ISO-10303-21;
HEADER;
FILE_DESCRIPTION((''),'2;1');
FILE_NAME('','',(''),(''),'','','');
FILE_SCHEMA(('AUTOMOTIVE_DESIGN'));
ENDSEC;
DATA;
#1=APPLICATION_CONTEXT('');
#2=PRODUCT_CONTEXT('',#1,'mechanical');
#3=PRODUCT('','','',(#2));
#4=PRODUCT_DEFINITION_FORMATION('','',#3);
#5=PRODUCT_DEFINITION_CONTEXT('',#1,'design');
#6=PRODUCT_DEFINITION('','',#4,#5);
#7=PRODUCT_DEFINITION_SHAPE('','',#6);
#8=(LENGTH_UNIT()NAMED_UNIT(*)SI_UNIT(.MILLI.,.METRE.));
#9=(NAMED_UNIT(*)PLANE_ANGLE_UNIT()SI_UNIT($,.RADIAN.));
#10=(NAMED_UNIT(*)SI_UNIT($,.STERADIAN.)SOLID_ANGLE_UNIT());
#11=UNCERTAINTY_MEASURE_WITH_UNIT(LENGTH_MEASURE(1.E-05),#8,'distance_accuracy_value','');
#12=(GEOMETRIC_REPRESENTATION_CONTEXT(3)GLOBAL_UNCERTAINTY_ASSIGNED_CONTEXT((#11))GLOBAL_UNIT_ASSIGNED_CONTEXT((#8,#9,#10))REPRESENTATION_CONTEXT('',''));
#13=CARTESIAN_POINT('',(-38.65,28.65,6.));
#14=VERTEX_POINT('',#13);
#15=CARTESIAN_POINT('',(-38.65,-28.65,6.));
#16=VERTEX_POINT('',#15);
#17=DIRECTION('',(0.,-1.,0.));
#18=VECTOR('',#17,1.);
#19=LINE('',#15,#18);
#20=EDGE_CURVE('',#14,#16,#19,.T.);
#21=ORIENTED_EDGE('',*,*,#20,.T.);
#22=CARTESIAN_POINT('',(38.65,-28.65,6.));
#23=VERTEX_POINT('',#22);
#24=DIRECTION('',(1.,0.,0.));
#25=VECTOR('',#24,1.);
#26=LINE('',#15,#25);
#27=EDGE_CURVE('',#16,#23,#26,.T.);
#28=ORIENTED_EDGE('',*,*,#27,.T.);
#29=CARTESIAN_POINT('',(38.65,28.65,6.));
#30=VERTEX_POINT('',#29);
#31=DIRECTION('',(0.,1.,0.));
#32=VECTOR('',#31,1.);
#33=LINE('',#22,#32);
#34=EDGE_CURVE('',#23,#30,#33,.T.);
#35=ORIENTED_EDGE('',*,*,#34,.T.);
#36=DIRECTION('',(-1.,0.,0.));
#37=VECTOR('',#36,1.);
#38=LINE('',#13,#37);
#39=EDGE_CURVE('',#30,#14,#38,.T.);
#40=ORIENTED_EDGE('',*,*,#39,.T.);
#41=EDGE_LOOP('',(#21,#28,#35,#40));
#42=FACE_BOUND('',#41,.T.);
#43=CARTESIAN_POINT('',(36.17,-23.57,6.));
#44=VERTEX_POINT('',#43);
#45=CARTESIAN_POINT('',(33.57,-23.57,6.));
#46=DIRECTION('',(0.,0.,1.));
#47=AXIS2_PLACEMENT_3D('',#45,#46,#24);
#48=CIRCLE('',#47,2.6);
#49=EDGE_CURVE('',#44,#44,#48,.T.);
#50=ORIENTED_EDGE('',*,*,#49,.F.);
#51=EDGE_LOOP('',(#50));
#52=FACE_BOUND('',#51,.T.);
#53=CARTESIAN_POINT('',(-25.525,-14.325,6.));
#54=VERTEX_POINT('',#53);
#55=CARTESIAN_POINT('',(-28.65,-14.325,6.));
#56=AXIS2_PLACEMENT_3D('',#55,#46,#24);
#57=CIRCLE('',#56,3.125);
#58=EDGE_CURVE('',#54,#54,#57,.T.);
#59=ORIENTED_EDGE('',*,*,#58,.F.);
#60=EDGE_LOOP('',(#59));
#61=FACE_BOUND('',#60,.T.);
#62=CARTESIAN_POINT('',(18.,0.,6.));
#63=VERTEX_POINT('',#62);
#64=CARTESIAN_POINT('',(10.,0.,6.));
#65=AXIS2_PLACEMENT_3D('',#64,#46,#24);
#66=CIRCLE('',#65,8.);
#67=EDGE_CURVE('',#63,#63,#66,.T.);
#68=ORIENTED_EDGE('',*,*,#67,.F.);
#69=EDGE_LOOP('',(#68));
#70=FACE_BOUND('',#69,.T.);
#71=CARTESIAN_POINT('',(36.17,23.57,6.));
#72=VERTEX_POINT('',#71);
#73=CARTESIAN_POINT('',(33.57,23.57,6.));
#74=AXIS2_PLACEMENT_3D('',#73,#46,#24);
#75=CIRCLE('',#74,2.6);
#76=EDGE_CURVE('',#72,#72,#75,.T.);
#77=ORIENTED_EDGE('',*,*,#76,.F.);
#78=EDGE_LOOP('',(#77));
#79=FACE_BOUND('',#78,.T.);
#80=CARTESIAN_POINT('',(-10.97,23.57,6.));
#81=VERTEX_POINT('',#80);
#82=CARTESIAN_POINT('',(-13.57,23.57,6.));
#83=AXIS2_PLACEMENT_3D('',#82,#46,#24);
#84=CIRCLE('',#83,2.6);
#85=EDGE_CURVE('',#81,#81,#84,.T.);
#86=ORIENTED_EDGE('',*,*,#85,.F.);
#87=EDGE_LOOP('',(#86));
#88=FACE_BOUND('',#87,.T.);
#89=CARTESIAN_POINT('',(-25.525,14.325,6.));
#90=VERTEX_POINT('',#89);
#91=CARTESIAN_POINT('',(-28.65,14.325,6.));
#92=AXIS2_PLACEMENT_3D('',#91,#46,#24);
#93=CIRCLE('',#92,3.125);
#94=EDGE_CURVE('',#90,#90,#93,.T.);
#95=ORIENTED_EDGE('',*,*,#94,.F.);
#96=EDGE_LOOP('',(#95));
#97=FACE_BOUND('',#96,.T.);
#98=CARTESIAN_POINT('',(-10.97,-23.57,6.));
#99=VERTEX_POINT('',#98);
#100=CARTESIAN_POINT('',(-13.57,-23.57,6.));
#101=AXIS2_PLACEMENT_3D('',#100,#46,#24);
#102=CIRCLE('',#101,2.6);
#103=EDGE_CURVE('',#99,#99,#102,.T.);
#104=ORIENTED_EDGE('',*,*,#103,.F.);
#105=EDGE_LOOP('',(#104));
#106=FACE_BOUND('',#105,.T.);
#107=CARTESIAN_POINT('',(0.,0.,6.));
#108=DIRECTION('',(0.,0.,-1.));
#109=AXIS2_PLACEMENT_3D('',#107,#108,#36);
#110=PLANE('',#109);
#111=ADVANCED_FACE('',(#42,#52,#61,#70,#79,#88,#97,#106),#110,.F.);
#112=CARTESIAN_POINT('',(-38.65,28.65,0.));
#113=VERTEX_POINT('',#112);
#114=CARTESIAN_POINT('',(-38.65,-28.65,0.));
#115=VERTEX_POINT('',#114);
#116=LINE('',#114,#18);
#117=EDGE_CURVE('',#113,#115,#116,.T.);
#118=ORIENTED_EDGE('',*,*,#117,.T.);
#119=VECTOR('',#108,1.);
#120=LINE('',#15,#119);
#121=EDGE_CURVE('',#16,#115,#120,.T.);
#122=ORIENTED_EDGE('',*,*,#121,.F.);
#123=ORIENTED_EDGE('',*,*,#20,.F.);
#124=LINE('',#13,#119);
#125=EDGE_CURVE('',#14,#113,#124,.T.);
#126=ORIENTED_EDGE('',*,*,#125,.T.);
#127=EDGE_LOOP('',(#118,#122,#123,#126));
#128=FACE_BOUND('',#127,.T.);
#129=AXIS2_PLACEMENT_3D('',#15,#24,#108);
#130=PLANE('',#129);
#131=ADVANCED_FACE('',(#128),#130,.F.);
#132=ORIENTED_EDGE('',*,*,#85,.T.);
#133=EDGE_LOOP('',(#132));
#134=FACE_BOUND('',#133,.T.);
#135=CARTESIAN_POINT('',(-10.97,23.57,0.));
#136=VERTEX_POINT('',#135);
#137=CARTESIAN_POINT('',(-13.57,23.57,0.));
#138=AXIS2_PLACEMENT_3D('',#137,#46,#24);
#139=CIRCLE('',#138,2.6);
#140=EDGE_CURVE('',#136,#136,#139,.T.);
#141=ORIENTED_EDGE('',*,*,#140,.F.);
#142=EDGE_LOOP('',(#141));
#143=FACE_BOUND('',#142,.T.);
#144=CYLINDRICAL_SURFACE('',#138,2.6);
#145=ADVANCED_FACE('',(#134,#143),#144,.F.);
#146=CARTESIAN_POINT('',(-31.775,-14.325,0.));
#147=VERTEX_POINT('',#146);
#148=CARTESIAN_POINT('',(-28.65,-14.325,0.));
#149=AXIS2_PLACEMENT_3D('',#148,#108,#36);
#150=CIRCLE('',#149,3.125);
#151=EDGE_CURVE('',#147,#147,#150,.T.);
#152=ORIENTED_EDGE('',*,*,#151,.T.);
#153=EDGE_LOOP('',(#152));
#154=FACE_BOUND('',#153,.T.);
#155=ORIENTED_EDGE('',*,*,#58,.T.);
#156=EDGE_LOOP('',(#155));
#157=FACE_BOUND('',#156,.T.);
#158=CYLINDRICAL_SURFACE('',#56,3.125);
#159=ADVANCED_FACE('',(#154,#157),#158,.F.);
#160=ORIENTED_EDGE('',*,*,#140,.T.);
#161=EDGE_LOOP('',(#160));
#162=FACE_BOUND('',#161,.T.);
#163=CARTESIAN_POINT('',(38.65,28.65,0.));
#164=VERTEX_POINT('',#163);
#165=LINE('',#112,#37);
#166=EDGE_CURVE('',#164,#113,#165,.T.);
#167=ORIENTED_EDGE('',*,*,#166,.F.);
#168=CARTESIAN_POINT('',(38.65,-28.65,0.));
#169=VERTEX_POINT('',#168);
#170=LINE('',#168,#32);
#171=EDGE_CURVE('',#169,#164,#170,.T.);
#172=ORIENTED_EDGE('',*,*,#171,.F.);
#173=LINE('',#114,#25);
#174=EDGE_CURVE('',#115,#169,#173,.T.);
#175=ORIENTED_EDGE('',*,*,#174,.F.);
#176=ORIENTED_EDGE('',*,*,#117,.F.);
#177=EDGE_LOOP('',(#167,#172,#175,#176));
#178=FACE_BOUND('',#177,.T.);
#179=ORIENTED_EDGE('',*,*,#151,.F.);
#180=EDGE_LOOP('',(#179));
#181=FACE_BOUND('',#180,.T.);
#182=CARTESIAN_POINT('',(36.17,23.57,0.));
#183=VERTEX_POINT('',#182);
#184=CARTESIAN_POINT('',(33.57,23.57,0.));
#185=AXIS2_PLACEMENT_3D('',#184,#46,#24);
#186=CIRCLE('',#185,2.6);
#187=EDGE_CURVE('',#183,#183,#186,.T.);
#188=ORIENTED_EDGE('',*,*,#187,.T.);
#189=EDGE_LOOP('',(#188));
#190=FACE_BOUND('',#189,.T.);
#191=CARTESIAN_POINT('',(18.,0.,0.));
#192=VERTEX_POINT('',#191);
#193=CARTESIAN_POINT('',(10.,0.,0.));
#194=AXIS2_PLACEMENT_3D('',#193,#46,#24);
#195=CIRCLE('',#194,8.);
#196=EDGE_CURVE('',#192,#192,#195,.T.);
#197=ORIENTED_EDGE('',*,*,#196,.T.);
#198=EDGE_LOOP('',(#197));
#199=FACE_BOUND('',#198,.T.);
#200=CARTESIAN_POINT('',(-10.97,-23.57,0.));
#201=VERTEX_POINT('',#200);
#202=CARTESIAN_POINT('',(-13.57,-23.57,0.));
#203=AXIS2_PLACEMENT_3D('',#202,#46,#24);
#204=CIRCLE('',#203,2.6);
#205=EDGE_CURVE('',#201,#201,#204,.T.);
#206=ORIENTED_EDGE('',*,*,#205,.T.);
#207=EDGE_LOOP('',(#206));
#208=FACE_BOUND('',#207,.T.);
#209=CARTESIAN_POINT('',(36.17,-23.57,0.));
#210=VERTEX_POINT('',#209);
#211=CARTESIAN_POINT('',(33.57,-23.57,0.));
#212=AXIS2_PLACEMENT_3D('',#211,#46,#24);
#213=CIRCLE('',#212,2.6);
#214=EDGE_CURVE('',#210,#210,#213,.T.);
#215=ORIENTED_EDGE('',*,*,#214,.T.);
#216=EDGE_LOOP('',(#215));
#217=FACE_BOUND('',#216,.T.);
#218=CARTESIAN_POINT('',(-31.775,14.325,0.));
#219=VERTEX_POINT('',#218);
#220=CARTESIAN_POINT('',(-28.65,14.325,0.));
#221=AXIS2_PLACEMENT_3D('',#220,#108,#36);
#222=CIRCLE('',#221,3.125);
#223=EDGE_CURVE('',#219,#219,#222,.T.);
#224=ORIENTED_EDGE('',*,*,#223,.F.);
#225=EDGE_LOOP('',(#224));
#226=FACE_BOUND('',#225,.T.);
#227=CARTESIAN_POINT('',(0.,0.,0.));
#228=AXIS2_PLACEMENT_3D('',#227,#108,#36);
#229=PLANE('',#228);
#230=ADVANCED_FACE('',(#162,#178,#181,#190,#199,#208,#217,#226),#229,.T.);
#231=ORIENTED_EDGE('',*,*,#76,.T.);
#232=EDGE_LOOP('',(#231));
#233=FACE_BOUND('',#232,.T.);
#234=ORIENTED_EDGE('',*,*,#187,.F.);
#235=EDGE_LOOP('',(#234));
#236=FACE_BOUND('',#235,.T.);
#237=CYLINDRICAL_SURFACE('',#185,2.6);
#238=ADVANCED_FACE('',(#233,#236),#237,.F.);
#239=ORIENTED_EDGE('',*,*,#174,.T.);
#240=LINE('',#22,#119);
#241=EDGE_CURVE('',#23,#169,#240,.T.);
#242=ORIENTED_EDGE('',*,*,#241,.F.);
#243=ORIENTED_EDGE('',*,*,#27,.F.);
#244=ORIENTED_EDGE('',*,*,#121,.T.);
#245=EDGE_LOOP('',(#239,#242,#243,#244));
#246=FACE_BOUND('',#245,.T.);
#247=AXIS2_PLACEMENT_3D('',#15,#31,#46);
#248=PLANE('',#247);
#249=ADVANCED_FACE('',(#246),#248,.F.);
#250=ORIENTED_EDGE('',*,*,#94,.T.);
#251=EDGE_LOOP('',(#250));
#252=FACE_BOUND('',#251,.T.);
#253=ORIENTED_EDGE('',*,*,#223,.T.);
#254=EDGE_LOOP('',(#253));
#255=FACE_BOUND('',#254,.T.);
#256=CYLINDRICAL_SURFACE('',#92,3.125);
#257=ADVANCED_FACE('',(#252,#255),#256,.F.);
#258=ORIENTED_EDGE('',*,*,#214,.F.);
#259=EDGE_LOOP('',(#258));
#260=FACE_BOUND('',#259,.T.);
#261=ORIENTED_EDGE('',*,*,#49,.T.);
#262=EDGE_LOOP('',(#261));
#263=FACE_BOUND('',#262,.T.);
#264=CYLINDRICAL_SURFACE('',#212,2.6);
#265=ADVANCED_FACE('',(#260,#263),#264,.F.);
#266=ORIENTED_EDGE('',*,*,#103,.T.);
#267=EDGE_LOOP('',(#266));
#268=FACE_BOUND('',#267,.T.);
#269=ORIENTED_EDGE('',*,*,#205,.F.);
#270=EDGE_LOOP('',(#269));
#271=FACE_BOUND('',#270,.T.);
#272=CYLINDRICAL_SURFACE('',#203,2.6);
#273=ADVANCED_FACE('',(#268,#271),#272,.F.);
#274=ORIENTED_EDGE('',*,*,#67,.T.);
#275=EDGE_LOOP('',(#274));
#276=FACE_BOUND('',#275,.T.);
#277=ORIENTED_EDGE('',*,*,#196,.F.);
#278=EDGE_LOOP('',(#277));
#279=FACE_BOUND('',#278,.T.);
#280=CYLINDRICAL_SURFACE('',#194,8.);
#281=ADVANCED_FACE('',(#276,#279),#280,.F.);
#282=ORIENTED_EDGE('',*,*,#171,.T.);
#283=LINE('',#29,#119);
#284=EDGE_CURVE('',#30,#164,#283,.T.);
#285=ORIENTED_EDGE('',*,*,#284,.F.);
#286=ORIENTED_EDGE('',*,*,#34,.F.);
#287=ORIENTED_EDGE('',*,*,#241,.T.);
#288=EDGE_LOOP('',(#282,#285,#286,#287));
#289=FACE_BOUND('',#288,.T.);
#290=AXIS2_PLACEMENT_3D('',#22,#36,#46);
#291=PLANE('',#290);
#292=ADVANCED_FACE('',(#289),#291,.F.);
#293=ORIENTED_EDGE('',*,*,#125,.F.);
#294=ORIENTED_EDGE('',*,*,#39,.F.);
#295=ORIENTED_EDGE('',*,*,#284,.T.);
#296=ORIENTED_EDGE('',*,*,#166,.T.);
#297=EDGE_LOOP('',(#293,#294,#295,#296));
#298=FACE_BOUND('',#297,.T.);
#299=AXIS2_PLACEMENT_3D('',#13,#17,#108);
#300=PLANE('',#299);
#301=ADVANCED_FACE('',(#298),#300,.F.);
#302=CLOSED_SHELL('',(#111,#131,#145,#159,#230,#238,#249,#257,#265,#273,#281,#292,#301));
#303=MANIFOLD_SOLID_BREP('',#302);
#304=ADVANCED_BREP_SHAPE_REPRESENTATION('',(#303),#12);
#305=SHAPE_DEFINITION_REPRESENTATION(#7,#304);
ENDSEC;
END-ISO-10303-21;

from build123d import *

# Parameters (mm, degrees)
SKETCH1_W                        = 77.3
SKETCH1_H                        = 57.3
BOSS_EXTRUDE1_DEPTH              = 6
SKETCH2_R                        = 8
SKETCH2_R_2                      = 2.6
CUT_EXTRUDE1_DEPTH               = 6
TAP_DRILL_FOR_M6_HELICOIL1_D     = 6.25
TAP_DRILL_FOR_M6_HELICOIL1_DEPTH = 20
TAP_DRILL_FOR_M6_HELICOIL1_TIP   = 1.877689434


with BuildPart() as part:
    # Sketch1 → Boss-Extrude1 (new body)
    with BuildSketch(Plane.XY):
        Rectangle(SKETCH1_W, SKETCH1_H)
    extrude(amount=BOSS_EXTRUDE1_DEPTH)

    # Sketch2 → Cut-Extrude1 (cut)
    with BuildSketch(Plane.XY.offset(6)):
        with Locations((10, 0)):
            Circle(SKETCH2_R)
        with Locations((-13.57, 23.57)):
            Circle(SKETCH2_R_2)
        with Locations((33.57, 23.57)):
            Circle(SKETCH2_R_2)
        with Locations((33.57, -23.57)):
            Circle(SKETCH2_R_2)
        with Locations((-13.57, -23.57)):
            Circle(SKETCH2_R_2)
    extrude(amount=-CUT_EXTRUDE1_DEPTH, mode=Mode.SUBTRACT)

    # Tap Drill for M6 Helicoil1
    with Locations(Plane(origin=(-28.65, 14.325, 6), x_dir=(1, 0, 0), z_dir=(0, 0, 1))):
        with Locations((0, 0), (0, -28.65)):
            Hole(TAP_DRILL_FOR_M6_HELICOIL1_D / 2, depth=TAP_DRILL_FOR_M6_HELICOIL1_DEPTH)
            with Locations((0, 0, -(TAP_DRILL_FOR_M6_HELICOIL1_DEPTH + TAP_DRILL_FOR_M6_HELICOIL1_TIP / 2))):  # 118° drill point
                Cone(0, TAP_DRILL_FOR_M6_HELICOIL1_D / 2, TAP_DRILL_FOR_M6_HELICOIL1_TIP, mode=Mode.SUBTRACT)


solid = part.part
